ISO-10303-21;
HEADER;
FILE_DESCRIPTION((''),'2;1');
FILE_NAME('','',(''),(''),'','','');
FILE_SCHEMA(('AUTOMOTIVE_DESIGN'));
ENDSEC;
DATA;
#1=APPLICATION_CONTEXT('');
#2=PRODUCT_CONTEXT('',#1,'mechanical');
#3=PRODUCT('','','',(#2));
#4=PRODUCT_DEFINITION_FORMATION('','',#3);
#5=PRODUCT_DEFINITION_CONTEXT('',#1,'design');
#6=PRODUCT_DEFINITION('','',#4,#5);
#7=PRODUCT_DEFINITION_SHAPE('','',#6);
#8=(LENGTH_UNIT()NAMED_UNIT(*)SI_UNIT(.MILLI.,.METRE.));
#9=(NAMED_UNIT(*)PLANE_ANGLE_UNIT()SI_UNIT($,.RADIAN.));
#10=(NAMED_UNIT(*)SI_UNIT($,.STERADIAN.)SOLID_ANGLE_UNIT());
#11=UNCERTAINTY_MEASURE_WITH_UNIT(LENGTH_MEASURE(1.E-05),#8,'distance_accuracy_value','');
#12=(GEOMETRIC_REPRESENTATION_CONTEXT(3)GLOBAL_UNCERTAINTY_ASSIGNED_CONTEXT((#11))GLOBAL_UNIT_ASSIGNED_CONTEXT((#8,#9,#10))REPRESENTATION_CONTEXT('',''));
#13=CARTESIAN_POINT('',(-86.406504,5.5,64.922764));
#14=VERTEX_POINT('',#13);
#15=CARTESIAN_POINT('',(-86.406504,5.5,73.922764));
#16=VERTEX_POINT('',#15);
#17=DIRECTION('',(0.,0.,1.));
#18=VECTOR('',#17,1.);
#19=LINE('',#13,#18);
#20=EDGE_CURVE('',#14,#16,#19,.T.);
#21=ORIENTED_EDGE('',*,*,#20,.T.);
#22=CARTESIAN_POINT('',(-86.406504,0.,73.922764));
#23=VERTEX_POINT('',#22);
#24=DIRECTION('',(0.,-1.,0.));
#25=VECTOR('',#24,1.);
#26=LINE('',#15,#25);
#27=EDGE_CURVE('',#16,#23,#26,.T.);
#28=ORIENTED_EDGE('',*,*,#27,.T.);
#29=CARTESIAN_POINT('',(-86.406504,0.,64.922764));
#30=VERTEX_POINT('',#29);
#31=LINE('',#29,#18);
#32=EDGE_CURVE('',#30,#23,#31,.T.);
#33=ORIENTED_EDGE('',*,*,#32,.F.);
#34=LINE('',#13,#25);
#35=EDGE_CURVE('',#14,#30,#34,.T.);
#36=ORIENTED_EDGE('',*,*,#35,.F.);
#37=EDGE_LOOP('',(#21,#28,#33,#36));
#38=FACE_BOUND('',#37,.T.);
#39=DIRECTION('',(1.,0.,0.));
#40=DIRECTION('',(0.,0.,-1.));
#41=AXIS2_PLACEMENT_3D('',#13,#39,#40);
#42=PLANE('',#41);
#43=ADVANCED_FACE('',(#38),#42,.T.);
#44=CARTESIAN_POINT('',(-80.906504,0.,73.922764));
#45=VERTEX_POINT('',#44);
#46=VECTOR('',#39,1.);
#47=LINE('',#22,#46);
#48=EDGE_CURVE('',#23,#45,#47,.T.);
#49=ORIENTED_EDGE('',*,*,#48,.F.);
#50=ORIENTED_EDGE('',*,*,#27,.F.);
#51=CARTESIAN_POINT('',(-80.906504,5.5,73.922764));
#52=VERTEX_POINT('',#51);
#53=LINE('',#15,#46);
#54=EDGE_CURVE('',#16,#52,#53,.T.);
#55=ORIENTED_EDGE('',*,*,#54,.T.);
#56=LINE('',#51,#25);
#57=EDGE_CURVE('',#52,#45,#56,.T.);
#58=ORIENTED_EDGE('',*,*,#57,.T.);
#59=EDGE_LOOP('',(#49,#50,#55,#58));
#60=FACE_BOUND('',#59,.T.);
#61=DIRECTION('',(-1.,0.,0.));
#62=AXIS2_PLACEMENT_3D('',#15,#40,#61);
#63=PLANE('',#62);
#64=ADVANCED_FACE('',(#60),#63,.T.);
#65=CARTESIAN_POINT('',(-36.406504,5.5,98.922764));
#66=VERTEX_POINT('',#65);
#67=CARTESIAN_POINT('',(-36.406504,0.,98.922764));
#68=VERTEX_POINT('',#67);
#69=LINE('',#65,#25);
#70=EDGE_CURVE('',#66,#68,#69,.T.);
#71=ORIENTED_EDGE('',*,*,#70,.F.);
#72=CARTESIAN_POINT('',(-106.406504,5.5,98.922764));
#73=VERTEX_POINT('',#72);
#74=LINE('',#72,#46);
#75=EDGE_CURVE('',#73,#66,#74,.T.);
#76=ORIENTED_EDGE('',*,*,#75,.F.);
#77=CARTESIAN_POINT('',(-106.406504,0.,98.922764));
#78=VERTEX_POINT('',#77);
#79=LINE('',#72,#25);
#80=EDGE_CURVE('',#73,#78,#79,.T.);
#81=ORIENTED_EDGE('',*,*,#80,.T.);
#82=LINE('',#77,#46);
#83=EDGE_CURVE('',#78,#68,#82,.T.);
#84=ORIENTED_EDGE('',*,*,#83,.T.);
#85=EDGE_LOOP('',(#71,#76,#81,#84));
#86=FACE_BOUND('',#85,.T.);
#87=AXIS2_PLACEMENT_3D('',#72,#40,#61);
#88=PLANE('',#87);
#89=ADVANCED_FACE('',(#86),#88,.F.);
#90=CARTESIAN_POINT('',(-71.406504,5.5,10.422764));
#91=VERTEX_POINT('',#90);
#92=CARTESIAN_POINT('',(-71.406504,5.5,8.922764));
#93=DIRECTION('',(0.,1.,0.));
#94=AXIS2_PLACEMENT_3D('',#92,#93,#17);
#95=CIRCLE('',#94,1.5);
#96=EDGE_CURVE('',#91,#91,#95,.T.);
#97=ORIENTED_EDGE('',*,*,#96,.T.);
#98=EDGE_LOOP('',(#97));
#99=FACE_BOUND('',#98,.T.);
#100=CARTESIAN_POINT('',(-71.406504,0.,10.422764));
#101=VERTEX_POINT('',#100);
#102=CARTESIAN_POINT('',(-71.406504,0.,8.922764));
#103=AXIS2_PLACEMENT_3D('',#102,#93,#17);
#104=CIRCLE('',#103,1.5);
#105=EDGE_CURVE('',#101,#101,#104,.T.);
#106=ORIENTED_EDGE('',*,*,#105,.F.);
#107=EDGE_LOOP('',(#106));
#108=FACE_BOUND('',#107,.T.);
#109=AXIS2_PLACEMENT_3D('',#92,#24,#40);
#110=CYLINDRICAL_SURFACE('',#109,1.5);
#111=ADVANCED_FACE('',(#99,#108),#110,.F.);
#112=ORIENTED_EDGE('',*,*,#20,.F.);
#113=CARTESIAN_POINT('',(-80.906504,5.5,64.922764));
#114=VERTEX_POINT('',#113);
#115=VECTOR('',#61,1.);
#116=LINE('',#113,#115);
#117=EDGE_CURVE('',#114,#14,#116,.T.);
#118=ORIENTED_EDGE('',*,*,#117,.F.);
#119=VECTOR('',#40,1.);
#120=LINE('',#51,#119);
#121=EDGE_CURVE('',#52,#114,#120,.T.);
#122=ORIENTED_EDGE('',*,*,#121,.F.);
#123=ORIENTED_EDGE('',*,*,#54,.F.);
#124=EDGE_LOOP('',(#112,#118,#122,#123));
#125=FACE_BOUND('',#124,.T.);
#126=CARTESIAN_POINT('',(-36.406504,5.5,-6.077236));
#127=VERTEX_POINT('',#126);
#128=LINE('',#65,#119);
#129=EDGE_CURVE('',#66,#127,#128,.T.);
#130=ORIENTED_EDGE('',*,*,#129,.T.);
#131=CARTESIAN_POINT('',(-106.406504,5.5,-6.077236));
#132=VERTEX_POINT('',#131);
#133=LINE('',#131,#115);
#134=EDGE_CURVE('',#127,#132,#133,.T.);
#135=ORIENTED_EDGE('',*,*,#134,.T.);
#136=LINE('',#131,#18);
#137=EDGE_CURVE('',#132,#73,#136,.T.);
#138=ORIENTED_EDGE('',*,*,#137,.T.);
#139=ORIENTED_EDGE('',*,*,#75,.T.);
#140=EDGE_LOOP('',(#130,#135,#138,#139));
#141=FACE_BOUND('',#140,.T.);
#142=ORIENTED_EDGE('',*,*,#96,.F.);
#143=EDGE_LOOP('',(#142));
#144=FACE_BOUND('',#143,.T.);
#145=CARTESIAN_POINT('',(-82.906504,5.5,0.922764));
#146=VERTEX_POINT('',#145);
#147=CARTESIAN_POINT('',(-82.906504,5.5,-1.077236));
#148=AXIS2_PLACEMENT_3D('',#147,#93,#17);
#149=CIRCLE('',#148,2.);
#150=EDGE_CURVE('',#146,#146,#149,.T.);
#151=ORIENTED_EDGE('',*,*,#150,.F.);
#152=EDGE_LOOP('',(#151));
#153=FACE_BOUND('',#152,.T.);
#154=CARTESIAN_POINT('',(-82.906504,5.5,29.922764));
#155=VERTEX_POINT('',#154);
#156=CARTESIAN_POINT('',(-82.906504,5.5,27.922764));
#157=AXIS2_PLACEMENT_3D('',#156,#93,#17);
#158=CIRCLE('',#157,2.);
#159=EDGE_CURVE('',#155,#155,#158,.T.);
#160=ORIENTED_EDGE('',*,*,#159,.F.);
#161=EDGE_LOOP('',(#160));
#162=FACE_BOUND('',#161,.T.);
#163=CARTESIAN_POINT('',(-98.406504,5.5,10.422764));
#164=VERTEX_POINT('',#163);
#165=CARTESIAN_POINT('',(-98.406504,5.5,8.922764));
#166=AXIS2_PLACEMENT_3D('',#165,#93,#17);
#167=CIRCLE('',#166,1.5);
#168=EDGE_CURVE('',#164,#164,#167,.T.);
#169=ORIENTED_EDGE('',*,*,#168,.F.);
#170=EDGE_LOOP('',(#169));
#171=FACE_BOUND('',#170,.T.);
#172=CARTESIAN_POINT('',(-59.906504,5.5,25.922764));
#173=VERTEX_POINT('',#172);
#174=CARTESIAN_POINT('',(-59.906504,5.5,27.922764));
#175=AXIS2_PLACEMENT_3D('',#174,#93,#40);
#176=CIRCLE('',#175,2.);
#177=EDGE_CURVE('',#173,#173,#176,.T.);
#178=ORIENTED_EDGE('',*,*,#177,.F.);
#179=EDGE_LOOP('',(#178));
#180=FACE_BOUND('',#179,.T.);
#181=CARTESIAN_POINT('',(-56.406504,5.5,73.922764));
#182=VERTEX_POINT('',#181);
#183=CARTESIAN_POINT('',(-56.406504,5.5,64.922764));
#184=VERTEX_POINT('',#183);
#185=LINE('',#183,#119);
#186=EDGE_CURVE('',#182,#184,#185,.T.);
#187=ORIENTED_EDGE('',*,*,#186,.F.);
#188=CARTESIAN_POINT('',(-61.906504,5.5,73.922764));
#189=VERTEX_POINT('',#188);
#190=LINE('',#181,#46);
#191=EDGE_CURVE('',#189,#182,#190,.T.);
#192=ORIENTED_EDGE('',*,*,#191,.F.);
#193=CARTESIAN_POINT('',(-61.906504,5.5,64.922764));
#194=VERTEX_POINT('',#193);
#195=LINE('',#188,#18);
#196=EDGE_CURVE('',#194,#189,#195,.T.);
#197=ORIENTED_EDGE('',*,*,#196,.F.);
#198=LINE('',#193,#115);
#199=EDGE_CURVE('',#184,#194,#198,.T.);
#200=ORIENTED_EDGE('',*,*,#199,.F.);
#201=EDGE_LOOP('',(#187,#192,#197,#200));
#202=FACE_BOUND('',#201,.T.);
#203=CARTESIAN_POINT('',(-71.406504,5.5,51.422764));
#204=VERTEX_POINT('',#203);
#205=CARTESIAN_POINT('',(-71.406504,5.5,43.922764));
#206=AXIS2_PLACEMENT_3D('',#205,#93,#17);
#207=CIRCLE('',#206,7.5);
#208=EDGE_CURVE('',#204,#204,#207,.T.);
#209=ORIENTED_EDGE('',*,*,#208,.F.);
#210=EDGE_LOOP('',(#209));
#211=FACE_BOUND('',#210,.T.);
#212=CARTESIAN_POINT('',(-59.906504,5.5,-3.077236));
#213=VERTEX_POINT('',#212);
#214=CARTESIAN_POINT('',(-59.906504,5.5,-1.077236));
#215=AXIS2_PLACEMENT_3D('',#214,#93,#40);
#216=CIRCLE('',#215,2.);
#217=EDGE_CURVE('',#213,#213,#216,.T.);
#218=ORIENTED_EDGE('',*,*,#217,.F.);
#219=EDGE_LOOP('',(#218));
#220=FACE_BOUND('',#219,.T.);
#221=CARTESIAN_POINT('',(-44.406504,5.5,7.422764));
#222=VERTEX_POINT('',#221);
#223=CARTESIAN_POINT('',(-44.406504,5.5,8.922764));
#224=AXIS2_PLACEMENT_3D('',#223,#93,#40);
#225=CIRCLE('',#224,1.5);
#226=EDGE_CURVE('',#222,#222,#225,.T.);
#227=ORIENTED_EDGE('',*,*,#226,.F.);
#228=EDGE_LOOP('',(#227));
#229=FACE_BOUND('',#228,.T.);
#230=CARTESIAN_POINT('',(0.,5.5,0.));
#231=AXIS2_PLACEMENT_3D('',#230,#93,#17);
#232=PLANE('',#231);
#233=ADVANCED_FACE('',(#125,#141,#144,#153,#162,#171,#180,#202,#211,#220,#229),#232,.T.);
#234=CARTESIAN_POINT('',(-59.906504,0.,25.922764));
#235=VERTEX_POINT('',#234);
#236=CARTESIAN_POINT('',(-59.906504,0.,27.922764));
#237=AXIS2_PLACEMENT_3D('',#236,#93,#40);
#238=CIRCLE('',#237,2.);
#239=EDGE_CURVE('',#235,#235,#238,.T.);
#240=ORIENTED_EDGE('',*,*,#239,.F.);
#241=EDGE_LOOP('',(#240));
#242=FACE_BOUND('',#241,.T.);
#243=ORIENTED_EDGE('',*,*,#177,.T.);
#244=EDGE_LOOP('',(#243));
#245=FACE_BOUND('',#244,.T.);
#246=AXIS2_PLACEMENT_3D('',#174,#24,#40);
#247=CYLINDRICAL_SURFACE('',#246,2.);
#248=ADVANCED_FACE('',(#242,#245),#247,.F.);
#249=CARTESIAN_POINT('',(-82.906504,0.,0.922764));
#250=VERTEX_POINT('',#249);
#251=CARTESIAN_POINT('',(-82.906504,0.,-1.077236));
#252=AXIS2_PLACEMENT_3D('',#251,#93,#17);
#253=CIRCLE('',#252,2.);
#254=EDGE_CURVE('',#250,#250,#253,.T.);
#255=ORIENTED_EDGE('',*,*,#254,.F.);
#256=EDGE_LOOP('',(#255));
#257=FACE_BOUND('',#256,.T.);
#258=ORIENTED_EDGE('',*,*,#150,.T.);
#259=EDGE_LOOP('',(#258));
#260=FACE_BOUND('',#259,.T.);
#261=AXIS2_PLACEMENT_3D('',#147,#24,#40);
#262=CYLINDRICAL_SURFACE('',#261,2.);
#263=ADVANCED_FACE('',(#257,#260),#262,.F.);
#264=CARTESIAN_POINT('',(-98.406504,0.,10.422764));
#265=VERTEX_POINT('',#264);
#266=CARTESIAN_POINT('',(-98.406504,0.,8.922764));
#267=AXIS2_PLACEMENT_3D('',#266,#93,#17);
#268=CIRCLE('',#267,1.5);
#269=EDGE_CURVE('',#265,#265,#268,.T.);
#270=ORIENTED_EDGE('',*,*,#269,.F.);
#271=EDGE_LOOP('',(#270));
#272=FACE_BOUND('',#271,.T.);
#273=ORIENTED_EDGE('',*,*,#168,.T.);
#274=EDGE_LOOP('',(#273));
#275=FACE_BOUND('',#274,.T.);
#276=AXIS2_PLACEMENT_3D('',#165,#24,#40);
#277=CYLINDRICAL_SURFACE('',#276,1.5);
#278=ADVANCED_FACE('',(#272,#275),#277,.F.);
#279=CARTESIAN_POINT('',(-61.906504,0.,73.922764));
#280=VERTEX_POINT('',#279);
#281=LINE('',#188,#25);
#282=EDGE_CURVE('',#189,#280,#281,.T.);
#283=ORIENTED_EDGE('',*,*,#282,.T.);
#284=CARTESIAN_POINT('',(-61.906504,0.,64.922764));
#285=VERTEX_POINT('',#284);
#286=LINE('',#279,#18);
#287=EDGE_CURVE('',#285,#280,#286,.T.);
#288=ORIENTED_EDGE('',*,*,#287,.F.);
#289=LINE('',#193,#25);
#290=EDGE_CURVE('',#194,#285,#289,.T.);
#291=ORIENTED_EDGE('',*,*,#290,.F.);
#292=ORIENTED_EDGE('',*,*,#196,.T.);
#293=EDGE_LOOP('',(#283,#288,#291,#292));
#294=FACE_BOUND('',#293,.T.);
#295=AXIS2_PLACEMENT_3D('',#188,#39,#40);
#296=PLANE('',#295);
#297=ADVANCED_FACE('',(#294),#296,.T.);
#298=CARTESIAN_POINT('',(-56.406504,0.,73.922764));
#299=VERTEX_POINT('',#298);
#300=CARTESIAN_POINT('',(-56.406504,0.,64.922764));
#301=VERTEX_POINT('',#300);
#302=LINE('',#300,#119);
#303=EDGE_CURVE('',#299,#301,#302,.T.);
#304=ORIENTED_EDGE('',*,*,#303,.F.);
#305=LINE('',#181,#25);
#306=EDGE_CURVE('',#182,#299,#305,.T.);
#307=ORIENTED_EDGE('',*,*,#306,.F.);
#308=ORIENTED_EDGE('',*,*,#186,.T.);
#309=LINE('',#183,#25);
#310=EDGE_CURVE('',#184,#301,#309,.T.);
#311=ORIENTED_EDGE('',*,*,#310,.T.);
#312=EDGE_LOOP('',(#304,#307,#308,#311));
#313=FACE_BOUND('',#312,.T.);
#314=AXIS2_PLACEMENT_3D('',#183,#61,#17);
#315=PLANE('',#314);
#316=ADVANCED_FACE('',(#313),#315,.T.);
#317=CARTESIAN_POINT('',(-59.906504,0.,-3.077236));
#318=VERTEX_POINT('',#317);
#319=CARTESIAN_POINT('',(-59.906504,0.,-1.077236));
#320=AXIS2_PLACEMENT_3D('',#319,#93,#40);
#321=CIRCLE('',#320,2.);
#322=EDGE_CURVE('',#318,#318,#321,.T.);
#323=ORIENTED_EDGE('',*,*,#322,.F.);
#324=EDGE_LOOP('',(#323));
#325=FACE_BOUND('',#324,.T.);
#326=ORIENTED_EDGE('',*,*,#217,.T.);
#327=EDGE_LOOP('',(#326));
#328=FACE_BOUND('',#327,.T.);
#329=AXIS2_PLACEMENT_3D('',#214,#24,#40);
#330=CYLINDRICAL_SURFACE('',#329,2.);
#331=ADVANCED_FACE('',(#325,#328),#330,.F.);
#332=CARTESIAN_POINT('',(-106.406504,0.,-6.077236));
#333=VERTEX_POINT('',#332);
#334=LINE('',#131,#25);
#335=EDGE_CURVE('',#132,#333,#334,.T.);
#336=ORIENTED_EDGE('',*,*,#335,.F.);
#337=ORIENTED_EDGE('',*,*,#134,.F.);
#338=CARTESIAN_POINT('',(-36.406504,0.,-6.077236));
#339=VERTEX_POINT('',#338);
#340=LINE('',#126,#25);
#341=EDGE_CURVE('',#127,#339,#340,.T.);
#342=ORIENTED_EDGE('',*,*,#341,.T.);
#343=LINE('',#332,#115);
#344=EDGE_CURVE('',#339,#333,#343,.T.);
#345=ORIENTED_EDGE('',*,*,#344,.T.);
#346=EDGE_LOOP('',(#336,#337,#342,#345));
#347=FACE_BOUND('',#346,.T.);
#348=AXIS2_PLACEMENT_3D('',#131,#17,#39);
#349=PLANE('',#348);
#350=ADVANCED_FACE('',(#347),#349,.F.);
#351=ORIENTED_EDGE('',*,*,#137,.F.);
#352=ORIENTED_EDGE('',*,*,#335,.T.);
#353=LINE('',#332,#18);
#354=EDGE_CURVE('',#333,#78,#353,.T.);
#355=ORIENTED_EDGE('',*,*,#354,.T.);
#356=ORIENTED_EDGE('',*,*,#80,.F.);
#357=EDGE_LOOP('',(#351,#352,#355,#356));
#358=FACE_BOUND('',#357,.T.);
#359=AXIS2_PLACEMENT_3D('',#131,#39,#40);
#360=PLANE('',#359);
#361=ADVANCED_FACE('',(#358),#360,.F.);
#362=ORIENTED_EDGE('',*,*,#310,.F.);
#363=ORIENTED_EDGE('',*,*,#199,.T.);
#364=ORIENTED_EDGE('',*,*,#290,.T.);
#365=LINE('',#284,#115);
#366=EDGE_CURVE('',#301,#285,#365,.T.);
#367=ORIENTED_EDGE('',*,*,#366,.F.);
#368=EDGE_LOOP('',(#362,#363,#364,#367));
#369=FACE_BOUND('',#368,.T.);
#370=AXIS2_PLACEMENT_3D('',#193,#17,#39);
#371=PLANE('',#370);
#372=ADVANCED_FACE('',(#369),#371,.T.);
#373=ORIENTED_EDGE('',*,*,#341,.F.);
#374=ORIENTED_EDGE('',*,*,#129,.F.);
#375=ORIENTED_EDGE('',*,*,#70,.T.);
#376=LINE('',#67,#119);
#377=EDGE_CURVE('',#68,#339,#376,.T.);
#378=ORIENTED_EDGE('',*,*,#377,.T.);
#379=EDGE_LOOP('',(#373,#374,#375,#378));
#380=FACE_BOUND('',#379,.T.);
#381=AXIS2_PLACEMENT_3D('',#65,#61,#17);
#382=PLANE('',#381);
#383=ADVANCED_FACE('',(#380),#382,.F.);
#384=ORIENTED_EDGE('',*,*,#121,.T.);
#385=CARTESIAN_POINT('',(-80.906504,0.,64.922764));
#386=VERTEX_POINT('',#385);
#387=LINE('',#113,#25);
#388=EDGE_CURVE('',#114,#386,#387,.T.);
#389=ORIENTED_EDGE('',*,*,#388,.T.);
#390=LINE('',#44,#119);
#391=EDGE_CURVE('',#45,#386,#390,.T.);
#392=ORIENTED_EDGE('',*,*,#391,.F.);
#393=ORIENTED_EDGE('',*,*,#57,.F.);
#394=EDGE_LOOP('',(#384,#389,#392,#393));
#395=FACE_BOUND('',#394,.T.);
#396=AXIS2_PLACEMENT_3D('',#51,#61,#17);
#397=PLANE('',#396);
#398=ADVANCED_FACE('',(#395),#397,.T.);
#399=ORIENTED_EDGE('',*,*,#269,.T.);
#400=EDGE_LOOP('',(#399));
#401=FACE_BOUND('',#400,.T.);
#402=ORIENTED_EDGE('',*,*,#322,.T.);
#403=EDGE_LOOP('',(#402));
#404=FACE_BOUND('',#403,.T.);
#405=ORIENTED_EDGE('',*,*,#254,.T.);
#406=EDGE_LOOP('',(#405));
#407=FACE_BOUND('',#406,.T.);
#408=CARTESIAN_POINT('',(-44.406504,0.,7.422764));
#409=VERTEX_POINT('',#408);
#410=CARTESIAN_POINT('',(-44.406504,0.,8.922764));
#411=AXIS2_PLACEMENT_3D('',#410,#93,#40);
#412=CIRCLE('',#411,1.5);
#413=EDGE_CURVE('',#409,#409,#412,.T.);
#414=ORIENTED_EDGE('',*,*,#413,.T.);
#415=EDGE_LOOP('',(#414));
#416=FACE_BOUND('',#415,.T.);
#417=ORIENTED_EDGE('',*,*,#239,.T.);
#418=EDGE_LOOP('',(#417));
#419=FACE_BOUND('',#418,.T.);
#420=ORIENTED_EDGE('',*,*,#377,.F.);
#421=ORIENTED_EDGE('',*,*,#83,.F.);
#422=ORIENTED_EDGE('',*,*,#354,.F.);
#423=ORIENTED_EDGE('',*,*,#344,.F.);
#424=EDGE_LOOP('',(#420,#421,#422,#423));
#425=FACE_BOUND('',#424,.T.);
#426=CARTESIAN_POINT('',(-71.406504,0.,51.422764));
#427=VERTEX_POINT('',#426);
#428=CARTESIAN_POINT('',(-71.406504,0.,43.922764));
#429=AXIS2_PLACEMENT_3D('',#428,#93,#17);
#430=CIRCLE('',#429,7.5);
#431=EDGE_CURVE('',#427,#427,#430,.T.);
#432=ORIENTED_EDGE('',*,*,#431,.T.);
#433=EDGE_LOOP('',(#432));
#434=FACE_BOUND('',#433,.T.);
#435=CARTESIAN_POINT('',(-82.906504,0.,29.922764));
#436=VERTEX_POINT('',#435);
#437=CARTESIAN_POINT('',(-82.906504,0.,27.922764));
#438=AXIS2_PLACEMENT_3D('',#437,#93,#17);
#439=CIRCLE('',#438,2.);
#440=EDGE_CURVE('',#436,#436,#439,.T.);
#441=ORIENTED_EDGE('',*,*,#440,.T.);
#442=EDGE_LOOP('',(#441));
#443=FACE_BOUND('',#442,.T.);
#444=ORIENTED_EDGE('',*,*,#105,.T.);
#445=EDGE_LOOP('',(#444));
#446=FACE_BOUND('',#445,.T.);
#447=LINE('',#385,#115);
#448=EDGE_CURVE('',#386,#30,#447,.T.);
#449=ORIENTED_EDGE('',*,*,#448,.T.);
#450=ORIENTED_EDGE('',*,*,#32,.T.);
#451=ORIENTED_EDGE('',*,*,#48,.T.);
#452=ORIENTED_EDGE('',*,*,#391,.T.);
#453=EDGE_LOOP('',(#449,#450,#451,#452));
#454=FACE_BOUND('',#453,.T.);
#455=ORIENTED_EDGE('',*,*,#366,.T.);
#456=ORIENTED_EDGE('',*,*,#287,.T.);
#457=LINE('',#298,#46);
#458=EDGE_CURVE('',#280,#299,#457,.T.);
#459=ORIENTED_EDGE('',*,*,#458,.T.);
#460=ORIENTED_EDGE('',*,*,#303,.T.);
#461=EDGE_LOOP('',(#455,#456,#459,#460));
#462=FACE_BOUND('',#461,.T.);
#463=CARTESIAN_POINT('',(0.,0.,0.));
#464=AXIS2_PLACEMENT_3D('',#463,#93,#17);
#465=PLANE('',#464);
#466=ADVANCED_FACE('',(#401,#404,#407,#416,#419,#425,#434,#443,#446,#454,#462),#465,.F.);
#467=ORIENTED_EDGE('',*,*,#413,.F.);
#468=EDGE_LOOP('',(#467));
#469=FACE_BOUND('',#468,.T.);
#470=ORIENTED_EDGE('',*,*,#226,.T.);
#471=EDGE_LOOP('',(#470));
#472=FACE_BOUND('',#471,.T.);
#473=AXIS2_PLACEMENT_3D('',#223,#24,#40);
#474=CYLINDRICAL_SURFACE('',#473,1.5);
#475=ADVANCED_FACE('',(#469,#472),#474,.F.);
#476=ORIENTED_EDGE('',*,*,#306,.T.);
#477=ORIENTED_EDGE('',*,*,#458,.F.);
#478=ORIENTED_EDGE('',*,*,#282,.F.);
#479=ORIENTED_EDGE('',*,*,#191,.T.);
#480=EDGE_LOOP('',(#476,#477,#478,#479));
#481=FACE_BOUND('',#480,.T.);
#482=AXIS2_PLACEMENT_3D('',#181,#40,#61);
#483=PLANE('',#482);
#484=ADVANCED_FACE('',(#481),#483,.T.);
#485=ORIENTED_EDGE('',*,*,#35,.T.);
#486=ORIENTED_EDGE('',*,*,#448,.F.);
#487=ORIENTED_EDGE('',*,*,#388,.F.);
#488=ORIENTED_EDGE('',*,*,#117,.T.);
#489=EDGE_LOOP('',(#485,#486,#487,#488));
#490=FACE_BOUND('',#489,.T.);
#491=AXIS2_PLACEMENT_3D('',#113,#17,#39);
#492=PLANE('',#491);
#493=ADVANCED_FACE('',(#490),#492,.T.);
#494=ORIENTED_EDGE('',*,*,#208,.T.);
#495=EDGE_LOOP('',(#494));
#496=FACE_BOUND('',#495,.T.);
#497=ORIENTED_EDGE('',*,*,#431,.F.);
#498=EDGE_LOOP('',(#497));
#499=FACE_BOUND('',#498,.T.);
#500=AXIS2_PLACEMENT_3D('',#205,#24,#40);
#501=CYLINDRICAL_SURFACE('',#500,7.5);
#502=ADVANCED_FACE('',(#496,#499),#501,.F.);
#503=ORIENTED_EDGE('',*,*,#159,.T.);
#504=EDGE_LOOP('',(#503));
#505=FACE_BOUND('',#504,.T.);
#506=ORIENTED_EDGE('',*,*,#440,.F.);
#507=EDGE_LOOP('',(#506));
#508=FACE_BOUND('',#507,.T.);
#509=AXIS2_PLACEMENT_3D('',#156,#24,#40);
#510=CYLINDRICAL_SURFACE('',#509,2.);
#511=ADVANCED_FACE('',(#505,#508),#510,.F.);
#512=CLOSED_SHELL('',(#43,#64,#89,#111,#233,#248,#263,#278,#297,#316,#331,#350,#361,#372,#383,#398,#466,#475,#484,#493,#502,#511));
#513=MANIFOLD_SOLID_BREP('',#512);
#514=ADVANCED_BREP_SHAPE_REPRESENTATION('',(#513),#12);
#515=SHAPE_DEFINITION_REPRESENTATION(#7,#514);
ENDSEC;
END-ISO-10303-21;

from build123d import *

# Parameters (mm, degrees)
CROQUIS1_W              = 70
CROQUIS1_H              = 105
CROQUIS1_R              = 2
CROQUIS1_R_2            = 7.5
CROQUIS1_R_3            = 1.5
CROQUIS1_W_2            = 5.5
CROQUIS1_H_2            = 9
SALIENTE_EXTRUIR1_DEPTH = 5.5


with BuildPart() as part:
    # Croquis1 → Saliente-Extruir1 (new body)
    with BuildSketch(Plane(origin=(0, 0, 0), x_dir=(1, 0, 0), z_dir=(0, 1, 0))):
        with Locations((-71.406504065, -46.422764228)):
            Rectangle(CROQUIS1_W, CROQUIS1_H)
        with Locations(Location((-82.906504065, 1.077235772, 0), (0, 0, 270))):
            Circle(CROQUIS1_R, mode=Mode.SUBTRACT)
        with Locations(Location((-82.906504065, -27.922764228, 0), (0, 0, 270))):
            Circle(CROQUIS1_R, mode=Mode.SUBTRACT)
        with Locations(Location((-71.406504065, -43.922764228, 0), (0, 0, 270))):
            Circle(CROQUIS1_R_2, mode=Mode.SUBTRACT)
        with Locations(Location((-71.406504065, -8.922764228, 0), (0, 0, 270))):
            Circle(CROQUIS1_R_3, mode=Mode.SUBTRACT)
        with Locations(Location((-59.906504065, -27.922764228, 0), (0, 0, 90))):
            Circle(CROQUIS1_R, mode=Mode.SUBTRACT)
        with Locations(Location((-59.906504065, 1.077235772, 0), (0, 0, 90))):
            Circle(CROQUIS1_R, mode=Mode.SUBTRACT)
        with Locations(Location((-98.406504065, -8.922764228, 0), (0, 0, 270))):
            Circle(CROQUIS1_R_3, mode=Mode.SUBTRACT)
        with Locations(Location((-44.406504065, -8.922764228, 0), (0, 0, 90))):
            Circle(CROQUIS1_R_3, mode=Mode.SUBTRACT)
        with Locations((-83.656504065, -69.422764228)):
            Rectangle(CROQUIS1_W_2, CROQUIS1_H_2, mode=Mode.SUBTRACT)
        with Locations((-59.156504065, -69.422764228)):
            Rectangle(CROQUIS1_W_2, CROQUIS1_H_2, mode=Mode.SUBTRACT)
    extrude(amount=SALIENTE_EXTRUIR1_DEPTH)


solid = part.part
